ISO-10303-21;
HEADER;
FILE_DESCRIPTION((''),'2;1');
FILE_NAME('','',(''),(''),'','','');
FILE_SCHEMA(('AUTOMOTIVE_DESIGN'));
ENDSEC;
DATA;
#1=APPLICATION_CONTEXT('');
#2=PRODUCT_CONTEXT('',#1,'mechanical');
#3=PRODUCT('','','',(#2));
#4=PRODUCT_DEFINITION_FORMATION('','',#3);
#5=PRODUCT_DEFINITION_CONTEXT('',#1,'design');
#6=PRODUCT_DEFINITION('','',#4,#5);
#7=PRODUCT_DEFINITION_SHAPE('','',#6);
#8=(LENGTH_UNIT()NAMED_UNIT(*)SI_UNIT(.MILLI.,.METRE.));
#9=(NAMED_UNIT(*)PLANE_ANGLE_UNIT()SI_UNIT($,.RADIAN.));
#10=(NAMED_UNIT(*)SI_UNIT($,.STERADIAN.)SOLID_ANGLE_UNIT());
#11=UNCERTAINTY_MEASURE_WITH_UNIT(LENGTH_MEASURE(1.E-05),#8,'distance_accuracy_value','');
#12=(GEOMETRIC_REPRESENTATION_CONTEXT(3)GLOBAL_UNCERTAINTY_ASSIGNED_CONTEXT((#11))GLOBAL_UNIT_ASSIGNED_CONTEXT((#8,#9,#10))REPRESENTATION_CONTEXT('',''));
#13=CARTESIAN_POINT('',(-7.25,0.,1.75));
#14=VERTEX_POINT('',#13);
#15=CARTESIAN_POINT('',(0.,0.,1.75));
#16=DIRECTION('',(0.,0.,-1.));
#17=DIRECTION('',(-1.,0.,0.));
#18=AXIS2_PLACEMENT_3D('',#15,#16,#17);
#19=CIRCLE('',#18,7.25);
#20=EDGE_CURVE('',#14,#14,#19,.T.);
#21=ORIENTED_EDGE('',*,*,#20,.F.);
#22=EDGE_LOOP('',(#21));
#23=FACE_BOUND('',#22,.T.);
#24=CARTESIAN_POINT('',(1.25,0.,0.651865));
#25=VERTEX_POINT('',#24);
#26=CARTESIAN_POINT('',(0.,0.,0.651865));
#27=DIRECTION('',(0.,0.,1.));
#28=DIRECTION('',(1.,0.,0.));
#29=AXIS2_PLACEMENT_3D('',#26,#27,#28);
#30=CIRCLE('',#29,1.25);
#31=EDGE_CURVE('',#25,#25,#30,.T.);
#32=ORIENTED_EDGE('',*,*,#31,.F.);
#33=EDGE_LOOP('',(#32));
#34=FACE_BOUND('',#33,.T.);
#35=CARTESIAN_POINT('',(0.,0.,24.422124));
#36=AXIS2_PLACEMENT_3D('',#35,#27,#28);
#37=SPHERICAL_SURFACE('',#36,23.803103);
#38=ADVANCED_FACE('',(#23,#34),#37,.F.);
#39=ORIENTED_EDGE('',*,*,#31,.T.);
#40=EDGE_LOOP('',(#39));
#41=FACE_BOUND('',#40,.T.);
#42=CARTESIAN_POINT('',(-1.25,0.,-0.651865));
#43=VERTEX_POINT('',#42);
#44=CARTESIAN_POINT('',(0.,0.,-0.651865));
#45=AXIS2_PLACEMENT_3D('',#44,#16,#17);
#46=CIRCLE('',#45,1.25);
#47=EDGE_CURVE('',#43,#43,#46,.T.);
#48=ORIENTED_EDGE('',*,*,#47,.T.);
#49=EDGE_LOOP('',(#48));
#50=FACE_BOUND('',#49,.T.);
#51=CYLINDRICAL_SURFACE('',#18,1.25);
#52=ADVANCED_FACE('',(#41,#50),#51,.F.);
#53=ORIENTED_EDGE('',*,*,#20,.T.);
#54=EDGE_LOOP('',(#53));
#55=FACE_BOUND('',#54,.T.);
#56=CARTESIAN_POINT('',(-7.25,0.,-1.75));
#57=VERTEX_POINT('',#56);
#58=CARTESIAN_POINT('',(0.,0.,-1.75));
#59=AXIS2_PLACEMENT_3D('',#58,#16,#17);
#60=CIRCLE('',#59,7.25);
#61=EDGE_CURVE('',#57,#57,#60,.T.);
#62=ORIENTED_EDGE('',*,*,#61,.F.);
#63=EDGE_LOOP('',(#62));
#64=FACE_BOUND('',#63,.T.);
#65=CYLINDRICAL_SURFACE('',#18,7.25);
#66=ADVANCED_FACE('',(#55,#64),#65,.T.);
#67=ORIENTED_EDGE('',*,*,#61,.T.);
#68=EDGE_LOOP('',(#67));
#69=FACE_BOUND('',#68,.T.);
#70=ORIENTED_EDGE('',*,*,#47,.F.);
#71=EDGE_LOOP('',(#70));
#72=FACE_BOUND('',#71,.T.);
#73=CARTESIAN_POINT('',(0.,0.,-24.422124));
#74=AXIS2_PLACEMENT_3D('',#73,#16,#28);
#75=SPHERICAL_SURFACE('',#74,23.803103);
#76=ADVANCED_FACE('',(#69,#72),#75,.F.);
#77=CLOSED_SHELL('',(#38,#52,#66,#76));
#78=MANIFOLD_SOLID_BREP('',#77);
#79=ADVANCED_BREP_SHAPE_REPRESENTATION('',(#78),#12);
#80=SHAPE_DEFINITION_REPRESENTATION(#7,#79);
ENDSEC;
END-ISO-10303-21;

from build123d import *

# Parameters (mm, degrees)
SKETCH1_R           = 7.25
SKETCH1_R_2         = 1.25
BOSS_EXTRUDE1_DEPTH = 1.75


with BuildPart() as part:
    # Sketch1 → Boss-Extrude1 (new, symmetric)
    with BuildSketch(Plane.XY):
        Circle(SKETCH1_R)
        Circle(SKETCH1_R_2, mode=Mode.SUBTRACT)
    extrude(amount=BOSS_EXTRUDE1_DEPTH, both=True)

    # Sketch2 → Cut-Revolve1 (revolve, cut)
    with BuildSketch(Plane(origin=(0, 0, 0), x_dir=(1, 0, 0), z_dir=(0, 1, 0))):
        with BuildLine():
            Line((0, 1.75), (-7.25, 1.75))
            ThreePointArc((-7.250000000000001, 1.7499999999999964), (-3.668842228906902, 0.903465385674501), (3.5283e-13, 0.6190211308572593))
            Line((2e-16, 0.6190211308572557), (4e-16, 1.75))
        make_face()
    cut_revolve1 = revolve(axis=Axis((7.9e-16, 0, -3.982137231966947), (-1.8e-16, 0, 1)), mode=Mode.SUBTRACT)

    # Mirror1: Cut-Revolve1 across plane
    add(cut_revolve1.mirror(Plane.XY), mode=Mode.SUBTRACT)


solid = part.part
